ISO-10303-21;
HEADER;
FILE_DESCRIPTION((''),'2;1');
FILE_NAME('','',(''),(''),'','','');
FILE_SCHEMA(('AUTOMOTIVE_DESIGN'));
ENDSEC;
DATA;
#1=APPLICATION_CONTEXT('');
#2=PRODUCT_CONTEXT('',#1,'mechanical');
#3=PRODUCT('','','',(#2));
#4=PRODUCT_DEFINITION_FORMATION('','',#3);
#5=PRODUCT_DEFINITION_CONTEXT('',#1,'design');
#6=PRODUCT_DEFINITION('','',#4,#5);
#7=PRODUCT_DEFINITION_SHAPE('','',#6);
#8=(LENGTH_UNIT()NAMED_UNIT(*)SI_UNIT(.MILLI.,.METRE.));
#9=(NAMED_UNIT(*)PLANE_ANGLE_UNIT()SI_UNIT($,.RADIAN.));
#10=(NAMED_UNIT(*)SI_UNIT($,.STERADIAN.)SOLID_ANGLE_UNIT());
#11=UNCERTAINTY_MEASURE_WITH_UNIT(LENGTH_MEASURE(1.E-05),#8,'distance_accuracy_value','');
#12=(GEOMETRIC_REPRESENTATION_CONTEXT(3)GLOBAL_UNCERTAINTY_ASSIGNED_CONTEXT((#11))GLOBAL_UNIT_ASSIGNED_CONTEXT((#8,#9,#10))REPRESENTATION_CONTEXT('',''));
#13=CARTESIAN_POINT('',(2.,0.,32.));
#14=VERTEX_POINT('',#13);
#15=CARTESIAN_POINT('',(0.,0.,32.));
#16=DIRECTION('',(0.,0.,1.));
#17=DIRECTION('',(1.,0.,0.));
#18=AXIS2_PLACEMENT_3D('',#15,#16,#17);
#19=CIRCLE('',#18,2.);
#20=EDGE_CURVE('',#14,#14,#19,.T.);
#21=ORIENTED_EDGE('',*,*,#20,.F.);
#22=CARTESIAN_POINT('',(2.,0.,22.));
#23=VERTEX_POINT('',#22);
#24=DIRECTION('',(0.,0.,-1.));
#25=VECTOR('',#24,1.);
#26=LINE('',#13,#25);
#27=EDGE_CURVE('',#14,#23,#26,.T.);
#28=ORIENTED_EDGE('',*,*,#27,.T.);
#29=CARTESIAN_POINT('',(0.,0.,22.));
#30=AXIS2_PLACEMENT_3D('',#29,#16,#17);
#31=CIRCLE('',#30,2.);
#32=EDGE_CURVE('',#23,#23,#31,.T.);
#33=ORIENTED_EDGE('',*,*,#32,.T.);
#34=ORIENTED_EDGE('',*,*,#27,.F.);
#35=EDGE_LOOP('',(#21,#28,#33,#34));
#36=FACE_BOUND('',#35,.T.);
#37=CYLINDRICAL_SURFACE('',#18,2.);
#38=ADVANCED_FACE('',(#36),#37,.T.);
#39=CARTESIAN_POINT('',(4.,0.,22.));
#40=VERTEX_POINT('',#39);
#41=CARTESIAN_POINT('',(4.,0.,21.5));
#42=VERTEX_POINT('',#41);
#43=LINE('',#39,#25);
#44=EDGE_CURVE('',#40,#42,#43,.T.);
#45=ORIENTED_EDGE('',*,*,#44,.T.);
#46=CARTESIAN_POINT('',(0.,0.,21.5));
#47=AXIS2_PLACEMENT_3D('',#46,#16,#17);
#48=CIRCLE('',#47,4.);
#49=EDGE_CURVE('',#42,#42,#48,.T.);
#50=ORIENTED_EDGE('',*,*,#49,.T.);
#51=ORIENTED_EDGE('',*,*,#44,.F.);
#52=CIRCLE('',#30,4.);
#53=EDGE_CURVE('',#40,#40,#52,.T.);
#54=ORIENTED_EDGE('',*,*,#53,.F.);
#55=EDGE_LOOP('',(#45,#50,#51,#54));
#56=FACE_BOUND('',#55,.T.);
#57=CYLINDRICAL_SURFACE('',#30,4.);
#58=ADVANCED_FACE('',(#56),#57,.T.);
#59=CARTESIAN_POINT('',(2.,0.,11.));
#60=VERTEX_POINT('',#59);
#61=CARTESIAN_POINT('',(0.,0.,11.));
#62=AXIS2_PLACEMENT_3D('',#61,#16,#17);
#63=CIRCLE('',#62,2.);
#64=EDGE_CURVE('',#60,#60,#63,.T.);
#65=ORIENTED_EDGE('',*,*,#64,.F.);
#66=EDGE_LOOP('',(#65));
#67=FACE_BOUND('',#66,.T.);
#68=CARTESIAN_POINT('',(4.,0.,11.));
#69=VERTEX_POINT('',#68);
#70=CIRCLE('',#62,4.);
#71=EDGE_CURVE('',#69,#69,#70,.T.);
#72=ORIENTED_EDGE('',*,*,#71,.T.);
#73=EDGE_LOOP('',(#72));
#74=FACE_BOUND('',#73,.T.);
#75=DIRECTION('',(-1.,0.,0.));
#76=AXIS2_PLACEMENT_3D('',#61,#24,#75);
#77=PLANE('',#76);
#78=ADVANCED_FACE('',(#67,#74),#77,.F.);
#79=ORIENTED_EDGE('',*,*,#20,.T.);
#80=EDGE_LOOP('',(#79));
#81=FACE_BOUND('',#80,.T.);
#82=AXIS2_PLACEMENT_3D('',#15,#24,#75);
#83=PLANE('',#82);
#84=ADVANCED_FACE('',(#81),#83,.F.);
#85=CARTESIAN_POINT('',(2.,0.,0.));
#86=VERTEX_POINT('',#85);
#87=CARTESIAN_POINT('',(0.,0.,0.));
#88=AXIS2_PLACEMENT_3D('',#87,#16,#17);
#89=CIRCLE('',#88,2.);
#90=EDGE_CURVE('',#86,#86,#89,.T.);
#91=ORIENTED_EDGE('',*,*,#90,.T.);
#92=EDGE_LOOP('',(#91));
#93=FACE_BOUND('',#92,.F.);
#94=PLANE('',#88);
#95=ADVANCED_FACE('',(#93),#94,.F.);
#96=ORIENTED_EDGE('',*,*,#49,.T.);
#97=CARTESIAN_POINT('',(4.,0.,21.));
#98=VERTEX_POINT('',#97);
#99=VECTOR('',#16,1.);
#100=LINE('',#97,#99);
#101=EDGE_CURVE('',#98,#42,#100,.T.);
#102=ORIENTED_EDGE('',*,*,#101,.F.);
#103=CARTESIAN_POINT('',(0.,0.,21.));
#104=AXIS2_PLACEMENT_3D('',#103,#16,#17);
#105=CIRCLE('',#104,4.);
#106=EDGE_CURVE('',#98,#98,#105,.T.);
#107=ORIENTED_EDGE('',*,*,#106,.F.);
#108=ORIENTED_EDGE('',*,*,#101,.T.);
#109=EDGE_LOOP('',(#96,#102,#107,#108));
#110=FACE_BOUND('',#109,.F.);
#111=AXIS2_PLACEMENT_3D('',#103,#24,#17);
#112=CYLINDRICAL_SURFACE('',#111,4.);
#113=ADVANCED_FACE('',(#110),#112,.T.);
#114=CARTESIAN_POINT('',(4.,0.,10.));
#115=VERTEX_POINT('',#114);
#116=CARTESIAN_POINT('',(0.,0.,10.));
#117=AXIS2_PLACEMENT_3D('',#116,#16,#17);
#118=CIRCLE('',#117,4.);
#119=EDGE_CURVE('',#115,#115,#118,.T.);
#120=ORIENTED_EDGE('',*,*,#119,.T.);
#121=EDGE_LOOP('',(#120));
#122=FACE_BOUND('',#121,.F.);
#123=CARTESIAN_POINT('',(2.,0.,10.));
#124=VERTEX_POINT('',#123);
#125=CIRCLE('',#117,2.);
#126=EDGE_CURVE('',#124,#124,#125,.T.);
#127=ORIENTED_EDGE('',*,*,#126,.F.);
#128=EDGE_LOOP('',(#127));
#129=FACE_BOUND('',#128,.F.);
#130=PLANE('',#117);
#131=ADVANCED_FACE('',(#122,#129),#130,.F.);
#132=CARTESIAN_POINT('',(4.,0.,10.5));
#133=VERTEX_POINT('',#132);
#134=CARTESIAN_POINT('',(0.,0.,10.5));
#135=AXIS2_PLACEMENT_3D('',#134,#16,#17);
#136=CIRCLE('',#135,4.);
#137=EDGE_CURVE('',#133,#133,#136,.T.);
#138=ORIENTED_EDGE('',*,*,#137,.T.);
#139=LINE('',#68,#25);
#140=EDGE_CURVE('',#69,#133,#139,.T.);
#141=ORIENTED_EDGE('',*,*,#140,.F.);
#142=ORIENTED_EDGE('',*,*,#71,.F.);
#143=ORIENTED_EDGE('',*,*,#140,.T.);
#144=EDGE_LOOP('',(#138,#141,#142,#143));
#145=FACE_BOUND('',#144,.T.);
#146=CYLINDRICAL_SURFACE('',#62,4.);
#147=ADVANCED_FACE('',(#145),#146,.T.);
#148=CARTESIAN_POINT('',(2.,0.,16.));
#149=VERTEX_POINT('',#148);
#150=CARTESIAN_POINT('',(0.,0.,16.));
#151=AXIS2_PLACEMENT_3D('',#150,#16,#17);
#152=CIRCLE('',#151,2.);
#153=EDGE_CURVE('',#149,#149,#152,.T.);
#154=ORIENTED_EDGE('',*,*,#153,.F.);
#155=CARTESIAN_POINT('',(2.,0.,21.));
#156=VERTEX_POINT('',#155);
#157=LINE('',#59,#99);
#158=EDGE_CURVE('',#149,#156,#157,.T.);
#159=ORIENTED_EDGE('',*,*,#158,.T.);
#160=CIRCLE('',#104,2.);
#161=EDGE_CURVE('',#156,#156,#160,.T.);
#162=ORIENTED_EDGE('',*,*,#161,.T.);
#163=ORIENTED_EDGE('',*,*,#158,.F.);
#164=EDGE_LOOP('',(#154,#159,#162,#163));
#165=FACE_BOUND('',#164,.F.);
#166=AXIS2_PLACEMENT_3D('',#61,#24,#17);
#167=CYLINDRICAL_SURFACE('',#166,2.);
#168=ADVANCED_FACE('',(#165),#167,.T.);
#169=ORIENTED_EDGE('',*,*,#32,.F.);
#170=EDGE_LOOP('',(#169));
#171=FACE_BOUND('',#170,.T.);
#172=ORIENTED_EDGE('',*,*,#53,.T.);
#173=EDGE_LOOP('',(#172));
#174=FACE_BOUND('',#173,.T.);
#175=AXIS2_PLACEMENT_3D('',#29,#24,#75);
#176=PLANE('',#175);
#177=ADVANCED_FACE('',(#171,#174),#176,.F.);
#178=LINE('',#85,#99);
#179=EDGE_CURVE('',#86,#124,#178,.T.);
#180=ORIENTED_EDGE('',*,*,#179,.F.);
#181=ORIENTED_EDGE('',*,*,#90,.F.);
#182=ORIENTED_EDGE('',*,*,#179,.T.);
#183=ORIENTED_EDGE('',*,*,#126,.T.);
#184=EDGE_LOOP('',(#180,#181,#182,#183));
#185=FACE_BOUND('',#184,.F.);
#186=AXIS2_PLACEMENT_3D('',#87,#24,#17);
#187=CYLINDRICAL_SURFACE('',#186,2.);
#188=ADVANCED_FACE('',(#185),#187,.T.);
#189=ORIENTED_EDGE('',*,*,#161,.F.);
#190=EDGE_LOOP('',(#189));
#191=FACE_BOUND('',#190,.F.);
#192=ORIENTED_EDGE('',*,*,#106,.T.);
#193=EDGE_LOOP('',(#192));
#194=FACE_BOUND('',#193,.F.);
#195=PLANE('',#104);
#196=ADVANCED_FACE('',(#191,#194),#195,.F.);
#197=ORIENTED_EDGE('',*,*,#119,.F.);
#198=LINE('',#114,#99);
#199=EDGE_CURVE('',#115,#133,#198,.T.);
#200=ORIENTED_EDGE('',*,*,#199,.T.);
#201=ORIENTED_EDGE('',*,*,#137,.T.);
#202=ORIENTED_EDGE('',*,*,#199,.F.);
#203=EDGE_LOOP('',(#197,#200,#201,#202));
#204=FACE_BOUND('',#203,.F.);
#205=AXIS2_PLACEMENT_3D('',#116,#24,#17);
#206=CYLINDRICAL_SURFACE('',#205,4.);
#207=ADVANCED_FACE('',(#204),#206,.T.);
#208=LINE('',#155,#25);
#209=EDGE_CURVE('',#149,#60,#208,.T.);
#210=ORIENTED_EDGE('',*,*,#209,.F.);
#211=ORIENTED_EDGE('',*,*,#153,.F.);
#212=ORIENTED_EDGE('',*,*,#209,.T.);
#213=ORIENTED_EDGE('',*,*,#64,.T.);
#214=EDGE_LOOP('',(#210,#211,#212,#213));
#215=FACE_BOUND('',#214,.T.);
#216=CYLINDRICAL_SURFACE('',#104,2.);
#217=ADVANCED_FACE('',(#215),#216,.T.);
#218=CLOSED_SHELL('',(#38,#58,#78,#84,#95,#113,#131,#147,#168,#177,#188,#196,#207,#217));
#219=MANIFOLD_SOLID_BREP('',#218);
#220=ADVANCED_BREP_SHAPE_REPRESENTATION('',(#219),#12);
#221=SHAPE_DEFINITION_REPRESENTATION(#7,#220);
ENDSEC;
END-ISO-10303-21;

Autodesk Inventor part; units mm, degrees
ref_plane "YZ Plane" through (0, 0, 0) normal (1, 0, 0) x (0, 1, 0)
ref_plane "XZ Plane" through (0, 0, 0) normal (0, 1, 0) x (-1, 0, 0)
ref_plane "XY Plane" through (0, 0, 0) normal (0, 0, 1) x (1, 0, 0)
sketch "Эскиз1" plane through (0, 0, 0) normal (0, 0, 1) x (1, 0, 0)
  circle A0 centre (0, 0) radius 2
  dimension "d0" = 4
extrude "Выдавливание1" add sketch "Эскиз1" along normal blind 10
sketch "Эскиз2" plane through (0, 0, 10) normal (0, 0, 1) x (1, 0, 0)
  circle A0 centre (0, 0) radius 4
  dimension "d5" = 8
extrude "Выдавливание2" add sketch "Эскиз2" along normal blind 0.5
mirror "Зеркальное отражение1" about plane through (0, 0, 10.5) normal (0, 0, 1) of "Выдавливание2", "Выдавливание1"
sketch "Эскиз3" plane through (0, 0, 21) normal (0, 0, 1) x (1, 0, 0)
  circle A0 centre (-7.3376, 4.7247) radius 20.8096
  point P0 (0, 0)
extrude "Выдавливание3" cut sketch "Эскиз3" against normal blind 5
mirror "Зеркальное отражение3" about plane through (-7.3376, 4.7247, 16) normal (0, 0, 1)
thread "Резьба4" size "M4x0.7" class "6g" standard "ANSI Metric M Profile" full length
properties part number "ось крепление пушки" material "Железо, ковкое"
